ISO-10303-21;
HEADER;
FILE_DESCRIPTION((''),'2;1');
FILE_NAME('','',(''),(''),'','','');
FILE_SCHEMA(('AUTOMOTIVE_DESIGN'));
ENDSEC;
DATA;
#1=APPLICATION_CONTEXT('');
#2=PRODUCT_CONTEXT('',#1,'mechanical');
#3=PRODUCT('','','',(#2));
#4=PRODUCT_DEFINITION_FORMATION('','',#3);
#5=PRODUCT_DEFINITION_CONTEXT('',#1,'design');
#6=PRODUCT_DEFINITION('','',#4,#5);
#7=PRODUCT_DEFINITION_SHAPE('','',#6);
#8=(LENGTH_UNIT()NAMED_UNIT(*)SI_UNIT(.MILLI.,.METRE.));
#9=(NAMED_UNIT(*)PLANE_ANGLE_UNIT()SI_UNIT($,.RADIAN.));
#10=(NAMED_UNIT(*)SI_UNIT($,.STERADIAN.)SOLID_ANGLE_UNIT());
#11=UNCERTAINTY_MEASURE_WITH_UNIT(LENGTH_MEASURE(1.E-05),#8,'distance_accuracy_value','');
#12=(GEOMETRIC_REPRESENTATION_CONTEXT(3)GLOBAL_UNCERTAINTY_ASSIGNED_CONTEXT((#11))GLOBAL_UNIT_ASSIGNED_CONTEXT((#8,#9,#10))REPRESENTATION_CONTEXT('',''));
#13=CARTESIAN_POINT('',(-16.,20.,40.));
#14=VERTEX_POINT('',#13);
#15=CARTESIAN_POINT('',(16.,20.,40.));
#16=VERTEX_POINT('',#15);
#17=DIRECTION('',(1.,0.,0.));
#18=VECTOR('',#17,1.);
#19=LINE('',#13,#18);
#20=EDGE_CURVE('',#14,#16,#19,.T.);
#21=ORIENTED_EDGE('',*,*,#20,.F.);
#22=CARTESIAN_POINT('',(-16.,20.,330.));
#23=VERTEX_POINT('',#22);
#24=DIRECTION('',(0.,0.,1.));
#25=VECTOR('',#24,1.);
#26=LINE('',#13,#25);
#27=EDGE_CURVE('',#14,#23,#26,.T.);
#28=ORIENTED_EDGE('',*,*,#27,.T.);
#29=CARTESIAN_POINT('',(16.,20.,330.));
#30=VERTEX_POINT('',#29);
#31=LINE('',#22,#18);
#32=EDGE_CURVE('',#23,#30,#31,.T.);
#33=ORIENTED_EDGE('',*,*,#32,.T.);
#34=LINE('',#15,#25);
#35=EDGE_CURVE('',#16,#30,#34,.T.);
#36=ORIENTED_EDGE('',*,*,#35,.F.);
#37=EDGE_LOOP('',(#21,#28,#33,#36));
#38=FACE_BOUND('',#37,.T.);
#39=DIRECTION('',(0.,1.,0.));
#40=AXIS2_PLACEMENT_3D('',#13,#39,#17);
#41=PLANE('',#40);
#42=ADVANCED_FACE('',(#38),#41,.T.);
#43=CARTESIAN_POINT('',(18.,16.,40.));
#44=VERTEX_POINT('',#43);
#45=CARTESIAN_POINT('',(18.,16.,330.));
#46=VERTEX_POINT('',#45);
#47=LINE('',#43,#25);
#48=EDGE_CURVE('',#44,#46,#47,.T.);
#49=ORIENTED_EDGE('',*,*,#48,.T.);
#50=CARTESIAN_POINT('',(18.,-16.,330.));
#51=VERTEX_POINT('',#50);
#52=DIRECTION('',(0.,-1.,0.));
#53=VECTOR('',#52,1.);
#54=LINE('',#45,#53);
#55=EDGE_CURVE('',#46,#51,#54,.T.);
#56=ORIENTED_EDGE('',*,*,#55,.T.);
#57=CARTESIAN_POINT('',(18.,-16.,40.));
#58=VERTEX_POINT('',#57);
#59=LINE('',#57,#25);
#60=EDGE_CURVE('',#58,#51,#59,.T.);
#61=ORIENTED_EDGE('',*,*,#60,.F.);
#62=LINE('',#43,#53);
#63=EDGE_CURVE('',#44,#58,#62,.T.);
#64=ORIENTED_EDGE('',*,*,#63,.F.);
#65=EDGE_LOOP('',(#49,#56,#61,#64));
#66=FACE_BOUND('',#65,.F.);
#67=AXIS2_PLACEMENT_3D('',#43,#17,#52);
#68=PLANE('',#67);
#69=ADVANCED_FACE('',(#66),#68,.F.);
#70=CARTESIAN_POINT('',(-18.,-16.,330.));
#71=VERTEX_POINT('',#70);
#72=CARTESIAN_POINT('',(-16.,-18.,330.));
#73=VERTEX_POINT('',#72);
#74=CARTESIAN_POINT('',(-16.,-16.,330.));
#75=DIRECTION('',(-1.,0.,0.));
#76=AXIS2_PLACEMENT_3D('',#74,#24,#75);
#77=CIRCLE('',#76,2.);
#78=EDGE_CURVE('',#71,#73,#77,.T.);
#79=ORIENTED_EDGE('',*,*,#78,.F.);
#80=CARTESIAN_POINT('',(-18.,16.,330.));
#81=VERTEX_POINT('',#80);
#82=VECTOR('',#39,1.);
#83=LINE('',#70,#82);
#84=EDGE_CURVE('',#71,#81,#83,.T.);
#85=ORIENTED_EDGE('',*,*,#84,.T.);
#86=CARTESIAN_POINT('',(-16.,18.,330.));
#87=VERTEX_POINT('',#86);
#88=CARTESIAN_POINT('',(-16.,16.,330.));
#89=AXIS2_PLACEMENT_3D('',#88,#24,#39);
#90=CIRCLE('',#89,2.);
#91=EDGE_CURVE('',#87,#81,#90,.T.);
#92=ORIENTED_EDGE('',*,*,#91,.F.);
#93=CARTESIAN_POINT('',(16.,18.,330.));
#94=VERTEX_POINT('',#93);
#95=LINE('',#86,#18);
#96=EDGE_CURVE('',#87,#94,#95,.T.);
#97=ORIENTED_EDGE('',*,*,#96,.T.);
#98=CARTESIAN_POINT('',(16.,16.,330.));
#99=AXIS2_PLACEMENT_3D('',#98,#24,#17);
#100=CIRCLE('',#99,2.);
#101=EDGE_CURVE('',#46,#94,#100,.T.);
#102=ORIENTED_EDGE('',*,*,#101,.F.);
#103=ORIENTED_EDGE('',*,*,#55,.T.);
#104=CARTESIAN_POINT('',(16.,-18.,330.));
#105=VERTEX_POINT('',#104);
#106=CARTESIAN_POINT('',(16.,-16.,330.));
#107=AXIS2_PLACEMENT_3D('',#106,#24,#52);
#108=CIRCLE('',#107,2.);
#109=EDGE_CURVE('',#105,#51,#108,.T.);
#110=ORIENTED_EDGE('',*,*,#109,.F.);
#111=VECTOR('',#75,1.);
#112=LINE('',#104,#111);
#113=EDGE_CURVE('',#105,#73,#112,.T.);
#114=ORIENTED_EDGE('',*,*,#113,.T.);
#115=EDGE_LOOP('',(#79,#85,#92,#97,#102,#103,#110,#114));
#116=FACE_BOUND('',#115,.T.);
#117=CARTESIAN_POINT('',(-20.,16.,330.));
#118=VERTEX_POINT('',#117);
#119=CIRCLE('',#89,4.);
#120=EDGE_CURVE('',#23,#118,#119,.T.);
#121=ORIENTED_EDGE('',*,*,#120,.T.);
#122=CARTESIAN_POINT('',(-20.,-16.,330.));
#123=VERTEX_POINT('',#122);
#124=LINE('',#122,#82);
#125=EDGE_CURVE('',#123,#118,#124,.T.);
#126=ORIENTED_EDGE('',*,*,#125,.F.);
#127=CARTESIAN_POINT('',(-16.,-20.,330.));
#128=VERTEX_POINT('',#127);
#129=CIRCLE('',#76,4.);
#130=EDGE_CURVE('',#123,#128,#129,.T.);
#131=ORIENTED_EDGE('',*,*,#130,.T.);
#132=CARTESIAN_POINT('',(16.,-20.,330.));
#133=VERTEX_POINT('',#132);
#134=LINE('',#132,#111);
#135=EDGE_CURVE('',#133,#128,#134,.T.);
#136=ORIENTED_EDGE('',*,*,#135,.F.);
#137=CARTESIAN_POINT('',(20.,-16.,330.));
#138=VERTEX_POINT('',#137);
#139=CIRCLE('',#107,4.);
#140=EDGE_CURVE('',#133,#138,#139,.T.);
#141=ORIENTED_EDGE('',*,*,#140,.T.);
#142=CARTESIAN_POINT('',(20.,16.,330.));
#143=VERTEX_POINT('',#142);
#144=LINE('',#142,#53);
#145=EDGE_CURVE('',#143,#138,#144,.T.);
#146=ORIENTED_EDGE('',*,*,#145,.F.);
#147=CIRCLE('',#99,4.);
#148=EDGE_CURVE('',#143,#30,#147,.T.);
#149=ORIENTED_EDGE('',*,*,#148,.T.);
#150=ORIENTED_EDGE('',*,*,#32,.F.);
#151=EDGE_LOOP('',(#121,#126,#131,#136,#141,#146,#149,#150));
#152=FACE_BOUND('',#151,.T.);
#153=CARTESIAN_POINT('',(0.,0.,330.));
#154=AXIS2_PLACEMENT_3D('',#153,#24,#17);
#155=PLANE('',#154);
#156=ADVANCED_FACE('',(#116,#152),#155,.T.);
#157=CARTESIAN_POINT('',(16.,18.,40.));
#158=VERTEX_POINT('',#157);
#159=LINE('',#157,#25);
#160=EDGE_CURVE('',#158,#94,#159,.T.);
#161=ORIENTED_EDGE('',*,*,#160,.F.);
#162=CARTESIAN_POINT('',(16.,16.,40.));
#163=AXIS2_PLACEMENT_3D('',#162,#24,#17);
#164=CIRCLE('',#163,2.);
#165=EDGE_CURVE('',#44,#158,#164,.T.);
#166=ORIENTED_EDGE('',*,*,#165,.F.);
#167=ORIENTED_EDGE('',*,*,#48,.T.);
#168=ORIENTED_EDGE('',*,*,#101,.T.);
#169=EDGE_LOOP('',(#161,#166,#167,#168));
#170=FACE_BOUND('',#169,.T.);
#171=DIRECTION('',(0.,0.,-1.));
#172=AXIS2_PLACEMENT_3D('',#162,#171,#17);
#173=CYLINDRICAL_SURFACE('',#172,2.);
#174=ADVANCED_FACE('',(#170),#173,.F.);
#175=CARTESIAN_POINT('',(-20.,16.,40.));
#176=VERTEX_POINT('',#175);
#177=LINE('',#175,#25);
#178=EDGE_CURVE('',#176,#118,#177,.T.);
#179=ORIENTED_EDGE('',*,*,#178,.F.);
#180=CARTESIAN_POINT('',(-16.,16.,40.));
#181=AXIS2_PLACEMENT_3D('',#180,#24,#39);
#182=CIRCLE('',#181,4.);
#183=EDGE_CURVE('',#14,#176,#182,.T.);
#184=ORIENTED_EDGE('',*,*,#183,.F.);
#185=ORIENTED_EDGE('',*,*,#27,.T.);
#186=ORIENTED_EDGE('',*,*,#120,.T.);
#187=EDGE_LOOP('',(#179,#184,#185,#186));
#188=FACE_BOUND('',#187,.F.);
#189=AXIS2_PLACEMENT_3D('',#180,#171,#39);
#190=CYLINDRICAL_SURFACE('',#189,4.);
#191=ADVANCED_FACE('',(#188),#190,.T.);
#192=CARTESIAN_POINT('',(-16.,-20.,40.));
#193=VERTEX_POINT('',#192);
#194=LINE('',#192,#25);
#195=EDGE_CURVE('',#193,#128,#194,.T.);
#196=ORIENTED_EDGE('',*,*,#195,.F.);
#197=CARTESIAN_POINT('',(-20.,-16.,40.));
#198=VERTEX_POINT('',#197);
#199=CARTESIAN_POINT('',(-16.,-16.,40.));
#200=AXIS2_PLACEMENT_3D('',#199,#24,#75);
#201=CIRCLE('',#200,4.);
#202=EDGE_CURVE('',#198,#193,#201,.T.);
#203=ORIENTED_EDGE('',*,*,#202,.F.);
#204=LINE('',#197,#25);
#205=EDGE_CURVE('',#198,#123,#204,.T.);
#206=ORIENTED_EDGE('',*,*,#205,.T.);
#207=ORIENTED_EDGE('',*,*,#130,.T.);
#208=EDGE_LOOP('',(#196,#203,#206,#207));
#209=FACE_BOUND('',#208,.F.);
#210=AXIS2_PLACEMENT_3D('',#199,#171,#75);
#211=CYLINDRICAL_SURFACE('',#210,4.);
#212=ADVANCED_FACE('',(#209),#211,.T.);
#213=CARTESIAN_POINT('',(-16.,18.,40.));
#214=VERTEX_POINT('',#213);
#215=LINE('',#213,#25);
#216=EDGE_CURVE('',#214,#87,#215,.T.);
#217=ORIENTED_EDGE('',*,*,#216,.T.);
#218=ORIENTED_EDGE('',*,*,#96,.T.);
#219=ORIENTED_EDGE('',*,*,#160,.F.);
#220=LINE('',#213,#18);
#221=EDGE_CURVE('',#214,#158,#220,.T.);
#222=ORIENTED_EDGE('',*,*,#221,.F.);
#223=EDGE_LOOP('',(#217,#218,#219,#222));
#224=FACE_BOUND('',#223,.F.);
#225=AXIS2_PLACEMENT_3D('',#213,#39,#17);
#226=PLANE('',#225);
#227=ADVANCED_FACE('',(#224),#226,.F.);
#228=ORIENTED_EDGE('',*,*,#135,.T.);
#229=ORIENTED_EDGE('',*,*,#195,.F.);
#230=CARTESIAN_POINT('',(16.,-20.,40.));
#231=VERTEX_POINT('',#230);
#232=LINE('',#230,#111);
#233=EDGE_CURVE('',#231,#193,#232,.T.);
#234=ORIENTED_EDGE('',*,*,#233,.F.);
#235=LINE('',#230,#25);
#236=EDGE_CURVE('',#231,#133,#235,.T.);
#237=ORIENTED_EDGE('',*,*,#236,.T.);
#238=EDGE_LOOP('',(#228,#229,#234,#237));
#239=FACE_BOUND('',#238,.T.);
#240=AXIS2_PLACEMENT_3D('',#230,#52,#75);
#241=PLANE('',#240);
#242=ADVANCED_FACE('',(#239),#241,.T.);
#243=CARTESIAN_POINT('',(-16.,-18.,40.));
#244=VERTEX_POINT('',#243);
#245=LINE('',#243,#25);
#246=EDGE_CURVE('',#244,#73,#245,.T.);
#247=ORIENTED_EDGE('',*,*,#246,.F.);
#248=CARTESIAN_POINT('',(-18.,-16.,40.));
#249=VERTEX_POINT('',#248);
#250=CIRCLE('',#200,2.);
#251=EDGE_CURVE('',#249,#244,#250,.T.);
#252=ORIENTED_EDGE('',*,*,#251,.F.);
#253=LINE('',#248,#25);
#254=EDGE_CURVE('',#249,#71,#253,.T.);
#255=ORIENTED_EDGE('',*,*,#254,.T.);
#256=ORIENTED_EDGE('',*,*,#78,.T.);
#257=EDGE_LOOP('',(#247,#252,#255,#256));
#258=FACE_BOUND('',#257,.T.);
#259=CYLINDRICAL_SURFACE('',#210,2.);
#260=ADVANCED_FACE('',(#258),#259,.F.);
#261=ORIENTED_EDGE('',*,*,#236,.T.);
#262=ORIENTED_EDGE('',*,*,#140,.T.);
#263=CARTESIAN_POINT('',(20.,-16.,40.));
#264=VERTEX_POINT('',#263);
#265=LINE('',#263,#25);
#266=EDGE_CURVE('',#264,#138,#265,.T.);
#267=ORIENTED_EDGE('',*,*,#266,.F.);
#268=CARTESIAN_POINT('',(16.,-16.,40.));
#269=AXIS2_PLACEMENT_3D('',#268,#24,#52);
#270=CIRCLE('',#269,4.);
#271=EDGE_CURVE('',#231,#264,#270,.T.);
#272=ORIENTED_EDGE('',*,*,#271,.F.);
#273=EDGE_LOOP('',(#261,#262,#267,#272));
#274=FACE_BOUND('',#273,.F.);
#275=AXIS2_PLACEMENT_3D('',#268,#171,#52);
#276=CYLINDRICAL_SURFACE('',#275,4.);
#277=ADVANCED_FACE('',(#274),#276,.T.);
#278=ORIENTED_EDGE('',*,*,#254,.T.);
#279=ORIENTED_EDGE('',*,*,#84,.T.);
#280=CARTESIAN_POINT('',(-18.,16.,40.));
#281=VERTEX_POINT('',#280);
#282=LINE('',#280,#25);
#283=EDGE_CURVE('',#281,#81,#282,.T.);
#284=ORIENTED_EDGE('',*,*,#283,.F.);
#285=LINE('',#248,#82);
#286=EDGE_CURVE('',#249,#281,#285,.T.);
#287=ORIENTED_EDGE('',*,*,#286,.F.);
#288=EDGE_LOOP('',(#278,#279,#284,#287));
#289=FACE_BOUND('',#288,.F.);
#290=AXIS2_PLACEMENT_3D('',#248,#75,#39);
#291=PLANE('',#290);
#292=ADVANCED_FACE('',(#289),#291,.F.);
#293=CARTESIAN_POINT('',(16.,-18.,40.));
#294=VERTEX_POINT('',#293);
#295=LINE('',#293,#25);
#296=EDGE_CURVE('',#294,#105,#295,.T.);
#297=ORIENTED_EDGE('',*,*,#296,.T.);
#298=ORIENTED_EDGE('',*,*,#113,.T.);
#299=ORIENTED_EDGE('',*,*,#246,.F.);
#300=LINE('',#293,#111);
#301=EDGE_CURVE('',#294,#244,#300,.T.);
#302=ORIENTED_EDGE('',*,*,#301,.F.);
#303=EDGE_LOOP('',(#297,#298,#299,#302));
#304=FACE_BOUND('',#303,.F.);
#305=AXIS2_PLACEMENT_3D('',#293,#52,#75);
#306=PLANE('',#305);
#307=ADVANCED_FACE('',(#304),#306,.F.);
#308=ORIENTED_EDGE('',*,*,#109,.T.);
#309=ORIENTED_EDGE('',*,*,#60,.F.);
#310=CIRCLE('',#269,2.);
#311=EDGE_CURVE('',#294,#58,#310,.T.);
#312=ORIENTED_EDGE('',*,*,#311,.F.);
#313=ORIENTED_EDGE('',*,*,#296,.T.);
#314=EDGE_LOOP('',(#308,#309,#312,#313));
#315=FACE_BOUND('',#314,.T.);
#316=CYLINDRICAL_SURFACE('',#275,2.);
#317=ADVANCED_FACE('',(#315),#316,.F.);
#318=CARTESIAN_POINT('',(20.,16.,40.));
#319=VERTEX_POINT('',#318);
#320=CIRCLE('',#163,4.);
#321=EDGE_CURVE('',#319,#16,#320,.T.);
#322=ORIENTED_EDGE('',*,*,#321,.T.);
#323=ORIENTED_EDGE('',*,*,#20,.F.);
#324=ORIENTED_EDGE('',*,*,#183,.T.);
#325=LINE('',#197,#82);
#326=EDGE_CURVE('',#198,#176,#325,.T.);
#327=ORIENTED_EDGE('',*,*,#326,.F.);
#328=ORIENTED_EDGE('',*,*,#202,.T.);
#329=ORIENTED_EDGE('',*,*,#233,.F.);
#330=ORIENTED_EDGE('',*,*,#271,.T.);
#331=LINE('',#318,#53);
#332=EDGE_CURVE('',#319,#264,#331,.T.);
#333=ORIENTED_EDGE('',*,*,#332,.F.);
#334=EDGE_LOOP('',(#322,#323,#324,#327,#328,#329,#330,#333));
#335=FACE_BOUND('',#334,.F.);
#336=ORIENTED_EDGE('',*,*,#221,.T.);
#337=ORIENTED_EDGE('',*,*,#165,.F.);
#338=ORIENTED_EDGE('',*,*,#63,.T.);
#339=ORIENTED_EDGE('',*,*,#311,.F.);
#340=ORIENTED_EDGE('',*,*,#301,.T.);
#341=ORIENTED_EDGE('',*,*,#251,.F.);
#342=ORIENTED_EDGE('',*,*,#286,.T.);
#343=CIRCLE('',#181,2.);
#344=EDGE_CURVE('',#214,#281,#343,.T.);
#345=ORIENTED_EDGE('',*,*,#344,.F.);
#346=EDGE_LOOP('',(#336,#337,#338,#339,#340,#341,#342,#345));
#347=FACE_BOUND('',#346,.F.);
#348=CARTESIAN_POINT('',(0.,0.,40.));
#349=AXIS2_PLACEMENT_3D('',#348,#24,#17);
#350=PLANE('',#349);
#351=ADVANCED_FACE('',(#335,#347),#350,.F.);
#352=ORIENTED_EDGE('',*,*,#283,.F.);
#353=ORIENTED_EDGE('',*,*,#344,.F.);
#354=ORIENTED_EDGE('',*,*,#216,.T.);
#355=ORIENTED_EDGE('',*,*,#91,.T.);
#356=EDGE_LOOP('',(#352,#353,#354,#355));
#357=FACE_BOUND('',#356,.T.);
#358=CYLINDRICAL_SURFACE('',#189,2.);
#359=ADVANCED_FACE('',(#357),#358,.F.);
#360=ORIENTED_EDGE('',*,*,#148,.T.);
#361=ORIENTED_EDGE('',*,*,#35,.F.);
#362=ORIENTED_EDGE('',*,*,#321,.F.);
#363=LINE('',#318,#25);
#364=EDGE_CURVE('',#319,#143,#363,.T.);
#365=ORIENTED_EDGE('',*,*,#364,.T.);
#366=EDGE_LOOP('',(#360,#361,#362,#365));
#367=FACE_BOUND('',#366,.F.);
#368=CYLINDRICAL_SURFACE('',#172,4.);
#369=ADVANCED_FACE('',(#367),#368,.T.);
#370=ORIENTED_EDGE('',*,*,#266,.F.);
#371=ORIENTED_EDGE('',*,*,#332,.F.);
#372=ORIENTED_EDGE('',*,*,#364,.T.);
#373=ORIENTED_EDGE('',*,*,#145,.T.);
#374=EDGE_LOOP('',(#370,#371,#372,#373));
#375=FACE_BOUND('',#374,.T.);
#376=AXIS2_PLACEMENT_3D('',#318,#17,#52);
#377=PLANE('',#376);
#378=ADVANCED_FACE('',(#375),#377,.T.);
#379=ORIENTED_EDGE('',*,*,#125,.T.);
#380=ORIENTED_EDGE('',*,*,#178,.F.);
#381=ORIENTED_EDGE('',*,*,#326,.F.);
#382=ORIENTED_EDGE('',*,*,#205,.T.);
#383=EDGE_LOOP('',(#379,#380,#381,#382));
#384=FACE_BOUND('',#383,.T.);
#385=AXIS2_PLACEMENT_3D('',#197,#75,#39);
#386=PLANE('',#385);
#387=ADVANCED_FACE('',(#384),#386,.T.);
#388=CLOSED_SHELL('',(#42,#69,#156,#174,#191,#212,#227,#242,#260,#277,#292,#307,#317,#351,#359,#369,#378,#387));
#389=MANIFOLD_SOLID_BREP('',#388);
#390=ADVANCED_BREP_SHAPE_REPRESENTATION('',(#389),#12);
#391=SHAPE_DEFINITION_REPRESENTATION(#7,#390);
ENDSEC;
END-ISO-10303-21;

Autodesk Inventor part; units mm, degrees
ref_plane "YZ Plane" through (0, 0, 0) normal (1, 0, 0) x (0, 1, 0)
ref_plane "Start Plane" through (0, 0, 40) normal (0, 0, 1) x (1, 0, 0)
ref_plane "End Plane" through (0, 0, 330) normal (0, 0, 1) x (1, 0, 0)
sketch "Sketch" plane through (0, 0, 0) normal (0, 0, 1) x (1, 0, 0)
  line L0 (-20, -16) -> (-20, 16)
  line L1 (-16, 20) -> (16, 20)
  line L2 (20, 16) -> (20, -16)
  line L3 (16, -20) -> (-16, -20)
  arc A0 (-20, -16) -> (-16, -20) centre (-16, -16) ccw
  arc A1 (20, 16) -> (16, 20) centre (16, 16) ccw
  arc A2 (-16, 20) -> (-20, 16) centre (-16, 16) ccw
  arc A3 (16, -20) -> (20, -16) centre (16, -16) ccw
  arc A4 (-16, 18) -> (-18, 16) centre (-16, 16) ccw
  line L4 (-16, 18) -> (16, 18)
  arc A5 (18, 16) -> (16, 18) centre (16, 16) ccw
  line L5 (18, 16) -> (18, -16)
  arc A6 (16, -18) -> (18, -16) centre (16, -16) ccw
  line L6 (16, -18) -> (-16, -18)
  arc A7 (-18, -16) -> (-16, -18) centre (-16, -16) ccw
  line L7 (-18, -16) -> (-18, 16)
  line L8 (0, 29.1598) -> (0, -29.1598) construction
  line L9 (-29.1598, 0) -> (29.1598, 0) construction
  dimension "d7" = 4
  dimension "d9" = 40
  dimension "d11" = 40
  dimension "d12" = 2
  dimension "d15" = 20
  dimension "d16" = 20
extrude "Body" add sketch "Sketch" along normal up to surface (290 mm away) from surface at 40
sketch "Sketch3" plane through (0, 0, 0) normal (0, 0, 1) x (1, 0, 0)
  line L0 (0, 0) -> (10, 0)
ref_plane "Work Plane3" through (0, 0, 0) normal (0, -1, 0) x (1, 0, 0)
sketch "Sketch4" plane through (0, 0, 0) normal (0, -1, 0) x (1, 0, 0)
  line L0 (-2, 40) -> (12, 40) projected
  line L1 (-2, 330) -> (12, 330) projected
  dimension "d18" = 290
equation "\"d7\" = G_IR"
equation "\"d9\" = G_W"
equation "\"d11\" = G_H"
equation "\"d12\" = G_T"
equation "\"d15\" = 0.5 * d9"
equation "\"d16\" = 0.5 * d11"
equation "\"d3\" = G_L"
equation "\"G_W\" = 40"
equation "\"G_H\" = 40"
equation "\"G_T\" = 2"
equation "\"G_IR\" = 4"
equation "\"G_L\" = d18"
equation "\"G_OFFSET_END\" = 0"
properties part number "ISO 10799-2 - 40x40x2 - 290" material "Steel, Mild"
